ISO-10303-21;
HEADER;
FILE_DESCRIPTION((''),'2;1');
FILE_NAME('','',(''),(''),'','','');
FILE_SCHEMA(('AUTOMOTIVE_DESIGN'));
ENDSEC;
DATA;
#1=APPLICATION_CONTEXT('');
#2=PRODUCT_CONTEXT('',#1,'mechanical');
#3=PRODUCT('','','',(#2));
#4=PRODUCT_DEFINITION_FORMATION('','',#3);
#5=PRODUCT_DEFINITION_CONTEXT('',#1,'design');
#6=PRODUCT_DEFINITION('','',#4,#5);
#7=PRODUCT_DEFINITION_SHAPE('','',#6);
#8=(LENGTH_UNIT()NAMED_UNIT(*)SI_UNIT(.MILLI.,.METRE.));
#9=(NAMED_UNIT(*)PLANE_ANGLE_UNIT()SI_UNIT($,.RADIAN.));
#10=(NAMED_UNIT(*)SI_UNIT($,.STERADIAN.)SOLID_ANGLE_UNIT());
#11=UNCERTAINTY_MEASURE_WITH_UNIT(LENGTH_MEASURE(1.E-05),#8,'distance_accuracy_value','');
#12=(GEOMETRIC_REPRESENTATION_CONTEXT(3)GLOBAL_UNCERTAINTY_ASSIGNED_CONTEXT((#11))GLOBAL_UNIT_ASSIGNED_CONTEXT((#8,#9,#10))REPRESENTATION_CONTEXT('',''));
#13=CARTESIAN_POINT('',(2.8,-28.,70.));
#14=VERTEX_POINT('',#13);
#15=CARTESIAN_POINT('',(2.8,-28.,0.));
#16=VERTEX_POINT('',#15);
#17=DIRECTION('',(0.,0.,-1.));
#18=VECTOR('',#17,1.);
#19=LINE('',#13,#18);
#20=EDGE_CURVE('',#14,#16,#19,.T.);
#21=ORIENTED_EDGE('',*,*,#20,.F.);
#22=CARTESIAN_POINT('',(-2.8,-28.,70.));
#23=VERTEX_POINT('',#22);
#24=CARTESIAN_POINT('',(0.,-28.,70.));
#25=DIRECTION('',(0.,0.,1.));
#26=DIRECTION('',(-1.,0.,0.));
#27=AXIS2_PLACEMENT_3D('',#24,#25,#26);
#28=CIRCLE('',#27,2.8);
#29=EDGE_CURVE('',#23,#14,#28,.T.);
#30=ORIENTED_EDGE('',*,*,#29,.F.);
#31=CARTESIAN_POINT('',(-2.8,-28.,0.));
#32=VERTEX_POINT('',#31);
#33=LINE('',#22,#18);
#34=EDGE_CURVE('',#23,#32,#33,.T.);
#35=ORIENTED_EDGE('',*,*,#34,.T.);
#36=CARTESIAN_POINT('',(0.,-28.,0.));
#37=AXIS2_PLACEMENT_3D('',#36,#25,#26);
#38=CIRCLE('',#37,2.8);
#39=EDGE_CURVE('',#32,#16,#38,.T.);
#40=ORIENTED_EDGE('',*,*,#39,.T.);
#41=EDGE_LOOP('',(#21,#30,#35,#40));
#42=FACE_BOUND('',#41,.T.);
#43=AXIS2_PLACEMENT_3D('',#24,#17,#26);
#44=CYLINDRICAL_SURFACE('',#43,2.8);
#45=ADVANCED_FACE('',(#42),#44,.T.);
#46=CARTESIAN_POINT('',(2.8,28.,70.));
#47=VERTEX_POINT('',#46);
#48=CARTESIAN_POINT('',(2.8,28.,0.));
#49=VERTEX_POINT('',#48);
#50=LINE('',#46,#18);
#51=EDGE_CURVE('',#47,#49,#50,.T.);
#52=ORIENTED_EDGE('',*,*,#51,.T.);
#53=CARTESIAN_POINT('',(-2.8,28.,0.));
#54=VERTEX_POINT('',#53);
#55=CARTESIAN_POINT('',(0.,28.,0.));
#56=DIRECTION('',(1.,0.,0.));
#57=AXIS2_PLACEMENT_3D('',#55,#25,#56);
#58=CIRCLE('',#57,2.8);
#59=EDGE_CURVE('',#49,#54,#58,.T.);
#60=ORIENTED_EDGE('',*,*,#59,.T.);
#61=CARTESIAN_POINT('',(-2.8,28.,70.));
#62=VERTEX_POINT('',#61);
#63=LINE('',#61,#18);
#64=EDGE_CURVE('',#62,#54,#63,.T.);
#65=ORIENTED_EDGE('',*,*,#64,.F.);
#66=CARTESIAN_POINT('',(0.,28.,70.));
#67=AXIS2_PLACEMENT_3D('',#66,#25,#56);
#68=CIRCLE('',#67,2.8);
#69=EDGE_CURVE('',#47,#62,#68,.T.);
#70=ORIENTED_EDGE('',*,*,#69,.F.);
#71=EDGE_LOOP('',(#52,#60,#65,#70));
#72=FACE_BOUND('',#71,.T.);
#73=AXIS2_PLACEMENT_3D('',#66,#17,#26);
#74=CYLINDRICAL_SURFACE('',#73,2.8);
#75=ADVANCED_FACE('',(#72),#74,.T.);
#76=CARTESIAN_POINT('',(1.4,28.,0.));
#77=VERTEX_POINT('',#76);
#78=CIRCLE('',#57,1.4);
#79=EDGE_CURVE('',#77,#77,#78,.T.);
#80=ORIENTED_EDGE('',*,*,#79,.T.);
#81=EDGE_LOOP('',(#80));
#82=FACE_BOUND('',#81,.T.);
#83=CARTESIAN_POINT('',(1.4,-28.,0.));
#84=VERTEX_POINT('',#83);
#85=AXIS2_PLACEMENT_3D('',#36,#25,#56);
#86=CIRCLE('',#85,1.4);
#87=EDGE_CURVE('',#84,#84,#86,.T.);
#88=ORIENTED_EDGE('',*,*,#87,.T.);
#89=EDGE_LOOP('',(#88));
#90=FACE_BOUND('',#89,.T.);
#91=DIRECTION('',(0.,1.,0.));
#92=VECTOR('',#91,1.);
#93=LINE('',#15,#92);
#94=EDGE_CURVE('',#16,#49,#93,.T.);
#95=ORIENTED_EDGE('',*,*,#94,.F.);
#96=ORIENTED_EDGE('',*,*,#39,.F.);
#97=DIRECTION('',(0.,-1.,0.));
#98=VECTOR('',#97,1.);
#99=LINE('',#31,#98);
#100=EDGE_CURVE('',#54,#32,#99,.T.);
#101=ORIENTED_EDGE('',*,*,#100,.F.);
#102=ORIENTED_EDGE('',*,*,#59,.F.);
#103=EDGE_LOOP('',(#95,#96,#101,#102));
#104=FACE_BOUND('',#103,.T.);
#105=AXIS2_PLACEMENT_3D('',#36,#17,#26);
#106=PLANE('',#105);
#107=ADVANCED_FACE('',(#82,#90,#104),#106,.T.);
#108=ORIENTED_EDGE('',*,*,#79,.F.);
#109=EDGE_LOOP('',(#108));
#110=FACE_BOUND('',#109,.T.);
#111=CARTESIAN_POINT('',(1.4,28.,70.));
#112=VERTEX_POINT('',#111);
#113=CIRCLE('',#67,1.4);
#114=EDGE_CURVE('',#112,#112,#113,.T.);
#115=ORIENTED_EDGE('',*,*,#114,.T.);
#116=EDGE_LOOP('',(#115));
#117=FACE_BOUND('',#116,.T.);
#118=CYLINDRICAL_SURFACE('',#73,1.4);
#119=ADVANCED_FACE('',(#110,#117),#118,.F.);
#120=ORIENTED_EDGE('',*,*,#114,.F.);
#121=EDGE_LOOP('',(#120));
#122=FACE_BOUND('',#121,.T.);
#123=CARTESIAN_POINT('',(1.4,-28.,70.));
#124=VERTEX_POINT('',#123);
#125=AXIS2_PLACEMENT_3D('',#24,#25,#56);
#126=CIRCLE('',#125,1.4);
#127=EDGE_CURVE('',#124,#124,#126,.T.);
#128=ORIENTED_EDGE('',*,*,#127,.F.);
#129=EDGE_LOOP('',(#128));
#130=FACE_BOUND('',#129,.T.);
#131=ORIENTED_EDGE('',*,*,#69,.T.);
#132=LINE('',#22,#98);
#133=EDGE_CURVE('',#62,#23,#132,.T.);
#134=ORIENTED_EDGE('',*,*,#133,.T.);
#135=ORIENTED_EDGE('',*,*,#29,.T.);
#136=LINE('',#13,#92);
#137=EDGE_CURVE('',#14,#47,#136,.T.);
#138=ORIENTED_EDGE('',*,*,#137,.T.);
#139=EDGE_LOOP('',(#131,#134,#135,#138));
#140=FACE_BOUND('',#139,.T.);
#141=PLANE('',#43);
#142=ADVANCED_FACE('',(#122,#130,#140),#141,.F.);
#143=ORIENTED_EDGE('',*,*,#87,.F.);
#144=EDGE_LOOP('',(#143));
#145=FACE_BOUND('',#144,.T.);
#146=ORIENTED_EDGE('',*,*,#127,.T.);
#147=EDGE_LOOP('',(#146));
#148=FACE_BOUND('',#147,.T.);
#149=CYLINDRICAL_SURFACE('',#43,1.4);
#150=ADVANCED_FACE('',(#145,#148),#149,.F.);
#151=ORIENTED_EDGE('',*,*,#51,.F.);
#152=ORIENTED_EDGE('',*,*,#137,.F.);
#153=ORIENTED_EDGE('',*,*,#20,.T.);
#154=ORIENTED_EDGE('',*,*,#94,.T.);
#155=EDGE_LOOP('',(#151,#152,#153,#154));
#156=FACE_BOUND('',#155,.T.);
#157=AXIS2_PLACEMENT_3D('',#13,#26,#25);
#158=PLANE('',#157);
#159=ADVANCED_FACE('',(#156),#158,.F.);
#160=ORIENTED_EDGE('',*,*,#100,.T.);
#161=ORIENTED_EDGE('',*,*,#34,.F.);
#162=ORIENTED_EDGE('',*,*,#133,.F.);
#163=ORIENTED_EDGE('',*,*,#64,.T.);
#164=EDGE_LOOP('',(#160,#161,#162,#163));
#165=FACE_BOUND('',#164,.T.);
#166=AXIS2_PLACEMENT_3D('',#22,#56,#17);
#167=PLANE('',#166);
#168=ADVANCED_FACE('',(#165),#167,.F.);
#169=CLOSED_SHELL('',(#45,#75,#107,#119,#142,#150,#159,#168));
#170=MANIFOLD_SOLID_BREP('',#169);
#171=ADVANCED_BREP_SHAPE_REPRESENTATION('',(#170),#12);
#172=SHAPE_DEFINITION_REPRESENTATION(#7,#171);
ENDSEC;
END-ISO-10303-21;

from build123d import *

# Parameters (mm, degrees)
CROQUIS1_R              = 1.4
SALIENTE_EXTRUIR1_DEPTH = 70


with BuildPart() as part:
    # Croquis1 → Saliente-Extruir1 (new body)
    with BuildSketch(Plane.XY):
        with BuildLine():
            Line((2.8, -28), (2.8, 28))
            ThreePointArc((2.8, 28), (0, 30.8), (-2.8, 28))
            Line((-2.8, 28), (-2.8, -28))
            ThreePointArc((-2.8, -28), (0, -30.8), (2.8, -28))
        make_face()
        with Locations((0, 28)):
            Circle(CROQUIS1_R, mode=Mode.SUBTRACT)
        with Locations((0, -28)):
            Circle(CROQUIS1_R, mode=Mode.SUBTRACT)
    extrude(amount=SALIENTE_EXTRUIR1_DEPTH)


solid = part.part
